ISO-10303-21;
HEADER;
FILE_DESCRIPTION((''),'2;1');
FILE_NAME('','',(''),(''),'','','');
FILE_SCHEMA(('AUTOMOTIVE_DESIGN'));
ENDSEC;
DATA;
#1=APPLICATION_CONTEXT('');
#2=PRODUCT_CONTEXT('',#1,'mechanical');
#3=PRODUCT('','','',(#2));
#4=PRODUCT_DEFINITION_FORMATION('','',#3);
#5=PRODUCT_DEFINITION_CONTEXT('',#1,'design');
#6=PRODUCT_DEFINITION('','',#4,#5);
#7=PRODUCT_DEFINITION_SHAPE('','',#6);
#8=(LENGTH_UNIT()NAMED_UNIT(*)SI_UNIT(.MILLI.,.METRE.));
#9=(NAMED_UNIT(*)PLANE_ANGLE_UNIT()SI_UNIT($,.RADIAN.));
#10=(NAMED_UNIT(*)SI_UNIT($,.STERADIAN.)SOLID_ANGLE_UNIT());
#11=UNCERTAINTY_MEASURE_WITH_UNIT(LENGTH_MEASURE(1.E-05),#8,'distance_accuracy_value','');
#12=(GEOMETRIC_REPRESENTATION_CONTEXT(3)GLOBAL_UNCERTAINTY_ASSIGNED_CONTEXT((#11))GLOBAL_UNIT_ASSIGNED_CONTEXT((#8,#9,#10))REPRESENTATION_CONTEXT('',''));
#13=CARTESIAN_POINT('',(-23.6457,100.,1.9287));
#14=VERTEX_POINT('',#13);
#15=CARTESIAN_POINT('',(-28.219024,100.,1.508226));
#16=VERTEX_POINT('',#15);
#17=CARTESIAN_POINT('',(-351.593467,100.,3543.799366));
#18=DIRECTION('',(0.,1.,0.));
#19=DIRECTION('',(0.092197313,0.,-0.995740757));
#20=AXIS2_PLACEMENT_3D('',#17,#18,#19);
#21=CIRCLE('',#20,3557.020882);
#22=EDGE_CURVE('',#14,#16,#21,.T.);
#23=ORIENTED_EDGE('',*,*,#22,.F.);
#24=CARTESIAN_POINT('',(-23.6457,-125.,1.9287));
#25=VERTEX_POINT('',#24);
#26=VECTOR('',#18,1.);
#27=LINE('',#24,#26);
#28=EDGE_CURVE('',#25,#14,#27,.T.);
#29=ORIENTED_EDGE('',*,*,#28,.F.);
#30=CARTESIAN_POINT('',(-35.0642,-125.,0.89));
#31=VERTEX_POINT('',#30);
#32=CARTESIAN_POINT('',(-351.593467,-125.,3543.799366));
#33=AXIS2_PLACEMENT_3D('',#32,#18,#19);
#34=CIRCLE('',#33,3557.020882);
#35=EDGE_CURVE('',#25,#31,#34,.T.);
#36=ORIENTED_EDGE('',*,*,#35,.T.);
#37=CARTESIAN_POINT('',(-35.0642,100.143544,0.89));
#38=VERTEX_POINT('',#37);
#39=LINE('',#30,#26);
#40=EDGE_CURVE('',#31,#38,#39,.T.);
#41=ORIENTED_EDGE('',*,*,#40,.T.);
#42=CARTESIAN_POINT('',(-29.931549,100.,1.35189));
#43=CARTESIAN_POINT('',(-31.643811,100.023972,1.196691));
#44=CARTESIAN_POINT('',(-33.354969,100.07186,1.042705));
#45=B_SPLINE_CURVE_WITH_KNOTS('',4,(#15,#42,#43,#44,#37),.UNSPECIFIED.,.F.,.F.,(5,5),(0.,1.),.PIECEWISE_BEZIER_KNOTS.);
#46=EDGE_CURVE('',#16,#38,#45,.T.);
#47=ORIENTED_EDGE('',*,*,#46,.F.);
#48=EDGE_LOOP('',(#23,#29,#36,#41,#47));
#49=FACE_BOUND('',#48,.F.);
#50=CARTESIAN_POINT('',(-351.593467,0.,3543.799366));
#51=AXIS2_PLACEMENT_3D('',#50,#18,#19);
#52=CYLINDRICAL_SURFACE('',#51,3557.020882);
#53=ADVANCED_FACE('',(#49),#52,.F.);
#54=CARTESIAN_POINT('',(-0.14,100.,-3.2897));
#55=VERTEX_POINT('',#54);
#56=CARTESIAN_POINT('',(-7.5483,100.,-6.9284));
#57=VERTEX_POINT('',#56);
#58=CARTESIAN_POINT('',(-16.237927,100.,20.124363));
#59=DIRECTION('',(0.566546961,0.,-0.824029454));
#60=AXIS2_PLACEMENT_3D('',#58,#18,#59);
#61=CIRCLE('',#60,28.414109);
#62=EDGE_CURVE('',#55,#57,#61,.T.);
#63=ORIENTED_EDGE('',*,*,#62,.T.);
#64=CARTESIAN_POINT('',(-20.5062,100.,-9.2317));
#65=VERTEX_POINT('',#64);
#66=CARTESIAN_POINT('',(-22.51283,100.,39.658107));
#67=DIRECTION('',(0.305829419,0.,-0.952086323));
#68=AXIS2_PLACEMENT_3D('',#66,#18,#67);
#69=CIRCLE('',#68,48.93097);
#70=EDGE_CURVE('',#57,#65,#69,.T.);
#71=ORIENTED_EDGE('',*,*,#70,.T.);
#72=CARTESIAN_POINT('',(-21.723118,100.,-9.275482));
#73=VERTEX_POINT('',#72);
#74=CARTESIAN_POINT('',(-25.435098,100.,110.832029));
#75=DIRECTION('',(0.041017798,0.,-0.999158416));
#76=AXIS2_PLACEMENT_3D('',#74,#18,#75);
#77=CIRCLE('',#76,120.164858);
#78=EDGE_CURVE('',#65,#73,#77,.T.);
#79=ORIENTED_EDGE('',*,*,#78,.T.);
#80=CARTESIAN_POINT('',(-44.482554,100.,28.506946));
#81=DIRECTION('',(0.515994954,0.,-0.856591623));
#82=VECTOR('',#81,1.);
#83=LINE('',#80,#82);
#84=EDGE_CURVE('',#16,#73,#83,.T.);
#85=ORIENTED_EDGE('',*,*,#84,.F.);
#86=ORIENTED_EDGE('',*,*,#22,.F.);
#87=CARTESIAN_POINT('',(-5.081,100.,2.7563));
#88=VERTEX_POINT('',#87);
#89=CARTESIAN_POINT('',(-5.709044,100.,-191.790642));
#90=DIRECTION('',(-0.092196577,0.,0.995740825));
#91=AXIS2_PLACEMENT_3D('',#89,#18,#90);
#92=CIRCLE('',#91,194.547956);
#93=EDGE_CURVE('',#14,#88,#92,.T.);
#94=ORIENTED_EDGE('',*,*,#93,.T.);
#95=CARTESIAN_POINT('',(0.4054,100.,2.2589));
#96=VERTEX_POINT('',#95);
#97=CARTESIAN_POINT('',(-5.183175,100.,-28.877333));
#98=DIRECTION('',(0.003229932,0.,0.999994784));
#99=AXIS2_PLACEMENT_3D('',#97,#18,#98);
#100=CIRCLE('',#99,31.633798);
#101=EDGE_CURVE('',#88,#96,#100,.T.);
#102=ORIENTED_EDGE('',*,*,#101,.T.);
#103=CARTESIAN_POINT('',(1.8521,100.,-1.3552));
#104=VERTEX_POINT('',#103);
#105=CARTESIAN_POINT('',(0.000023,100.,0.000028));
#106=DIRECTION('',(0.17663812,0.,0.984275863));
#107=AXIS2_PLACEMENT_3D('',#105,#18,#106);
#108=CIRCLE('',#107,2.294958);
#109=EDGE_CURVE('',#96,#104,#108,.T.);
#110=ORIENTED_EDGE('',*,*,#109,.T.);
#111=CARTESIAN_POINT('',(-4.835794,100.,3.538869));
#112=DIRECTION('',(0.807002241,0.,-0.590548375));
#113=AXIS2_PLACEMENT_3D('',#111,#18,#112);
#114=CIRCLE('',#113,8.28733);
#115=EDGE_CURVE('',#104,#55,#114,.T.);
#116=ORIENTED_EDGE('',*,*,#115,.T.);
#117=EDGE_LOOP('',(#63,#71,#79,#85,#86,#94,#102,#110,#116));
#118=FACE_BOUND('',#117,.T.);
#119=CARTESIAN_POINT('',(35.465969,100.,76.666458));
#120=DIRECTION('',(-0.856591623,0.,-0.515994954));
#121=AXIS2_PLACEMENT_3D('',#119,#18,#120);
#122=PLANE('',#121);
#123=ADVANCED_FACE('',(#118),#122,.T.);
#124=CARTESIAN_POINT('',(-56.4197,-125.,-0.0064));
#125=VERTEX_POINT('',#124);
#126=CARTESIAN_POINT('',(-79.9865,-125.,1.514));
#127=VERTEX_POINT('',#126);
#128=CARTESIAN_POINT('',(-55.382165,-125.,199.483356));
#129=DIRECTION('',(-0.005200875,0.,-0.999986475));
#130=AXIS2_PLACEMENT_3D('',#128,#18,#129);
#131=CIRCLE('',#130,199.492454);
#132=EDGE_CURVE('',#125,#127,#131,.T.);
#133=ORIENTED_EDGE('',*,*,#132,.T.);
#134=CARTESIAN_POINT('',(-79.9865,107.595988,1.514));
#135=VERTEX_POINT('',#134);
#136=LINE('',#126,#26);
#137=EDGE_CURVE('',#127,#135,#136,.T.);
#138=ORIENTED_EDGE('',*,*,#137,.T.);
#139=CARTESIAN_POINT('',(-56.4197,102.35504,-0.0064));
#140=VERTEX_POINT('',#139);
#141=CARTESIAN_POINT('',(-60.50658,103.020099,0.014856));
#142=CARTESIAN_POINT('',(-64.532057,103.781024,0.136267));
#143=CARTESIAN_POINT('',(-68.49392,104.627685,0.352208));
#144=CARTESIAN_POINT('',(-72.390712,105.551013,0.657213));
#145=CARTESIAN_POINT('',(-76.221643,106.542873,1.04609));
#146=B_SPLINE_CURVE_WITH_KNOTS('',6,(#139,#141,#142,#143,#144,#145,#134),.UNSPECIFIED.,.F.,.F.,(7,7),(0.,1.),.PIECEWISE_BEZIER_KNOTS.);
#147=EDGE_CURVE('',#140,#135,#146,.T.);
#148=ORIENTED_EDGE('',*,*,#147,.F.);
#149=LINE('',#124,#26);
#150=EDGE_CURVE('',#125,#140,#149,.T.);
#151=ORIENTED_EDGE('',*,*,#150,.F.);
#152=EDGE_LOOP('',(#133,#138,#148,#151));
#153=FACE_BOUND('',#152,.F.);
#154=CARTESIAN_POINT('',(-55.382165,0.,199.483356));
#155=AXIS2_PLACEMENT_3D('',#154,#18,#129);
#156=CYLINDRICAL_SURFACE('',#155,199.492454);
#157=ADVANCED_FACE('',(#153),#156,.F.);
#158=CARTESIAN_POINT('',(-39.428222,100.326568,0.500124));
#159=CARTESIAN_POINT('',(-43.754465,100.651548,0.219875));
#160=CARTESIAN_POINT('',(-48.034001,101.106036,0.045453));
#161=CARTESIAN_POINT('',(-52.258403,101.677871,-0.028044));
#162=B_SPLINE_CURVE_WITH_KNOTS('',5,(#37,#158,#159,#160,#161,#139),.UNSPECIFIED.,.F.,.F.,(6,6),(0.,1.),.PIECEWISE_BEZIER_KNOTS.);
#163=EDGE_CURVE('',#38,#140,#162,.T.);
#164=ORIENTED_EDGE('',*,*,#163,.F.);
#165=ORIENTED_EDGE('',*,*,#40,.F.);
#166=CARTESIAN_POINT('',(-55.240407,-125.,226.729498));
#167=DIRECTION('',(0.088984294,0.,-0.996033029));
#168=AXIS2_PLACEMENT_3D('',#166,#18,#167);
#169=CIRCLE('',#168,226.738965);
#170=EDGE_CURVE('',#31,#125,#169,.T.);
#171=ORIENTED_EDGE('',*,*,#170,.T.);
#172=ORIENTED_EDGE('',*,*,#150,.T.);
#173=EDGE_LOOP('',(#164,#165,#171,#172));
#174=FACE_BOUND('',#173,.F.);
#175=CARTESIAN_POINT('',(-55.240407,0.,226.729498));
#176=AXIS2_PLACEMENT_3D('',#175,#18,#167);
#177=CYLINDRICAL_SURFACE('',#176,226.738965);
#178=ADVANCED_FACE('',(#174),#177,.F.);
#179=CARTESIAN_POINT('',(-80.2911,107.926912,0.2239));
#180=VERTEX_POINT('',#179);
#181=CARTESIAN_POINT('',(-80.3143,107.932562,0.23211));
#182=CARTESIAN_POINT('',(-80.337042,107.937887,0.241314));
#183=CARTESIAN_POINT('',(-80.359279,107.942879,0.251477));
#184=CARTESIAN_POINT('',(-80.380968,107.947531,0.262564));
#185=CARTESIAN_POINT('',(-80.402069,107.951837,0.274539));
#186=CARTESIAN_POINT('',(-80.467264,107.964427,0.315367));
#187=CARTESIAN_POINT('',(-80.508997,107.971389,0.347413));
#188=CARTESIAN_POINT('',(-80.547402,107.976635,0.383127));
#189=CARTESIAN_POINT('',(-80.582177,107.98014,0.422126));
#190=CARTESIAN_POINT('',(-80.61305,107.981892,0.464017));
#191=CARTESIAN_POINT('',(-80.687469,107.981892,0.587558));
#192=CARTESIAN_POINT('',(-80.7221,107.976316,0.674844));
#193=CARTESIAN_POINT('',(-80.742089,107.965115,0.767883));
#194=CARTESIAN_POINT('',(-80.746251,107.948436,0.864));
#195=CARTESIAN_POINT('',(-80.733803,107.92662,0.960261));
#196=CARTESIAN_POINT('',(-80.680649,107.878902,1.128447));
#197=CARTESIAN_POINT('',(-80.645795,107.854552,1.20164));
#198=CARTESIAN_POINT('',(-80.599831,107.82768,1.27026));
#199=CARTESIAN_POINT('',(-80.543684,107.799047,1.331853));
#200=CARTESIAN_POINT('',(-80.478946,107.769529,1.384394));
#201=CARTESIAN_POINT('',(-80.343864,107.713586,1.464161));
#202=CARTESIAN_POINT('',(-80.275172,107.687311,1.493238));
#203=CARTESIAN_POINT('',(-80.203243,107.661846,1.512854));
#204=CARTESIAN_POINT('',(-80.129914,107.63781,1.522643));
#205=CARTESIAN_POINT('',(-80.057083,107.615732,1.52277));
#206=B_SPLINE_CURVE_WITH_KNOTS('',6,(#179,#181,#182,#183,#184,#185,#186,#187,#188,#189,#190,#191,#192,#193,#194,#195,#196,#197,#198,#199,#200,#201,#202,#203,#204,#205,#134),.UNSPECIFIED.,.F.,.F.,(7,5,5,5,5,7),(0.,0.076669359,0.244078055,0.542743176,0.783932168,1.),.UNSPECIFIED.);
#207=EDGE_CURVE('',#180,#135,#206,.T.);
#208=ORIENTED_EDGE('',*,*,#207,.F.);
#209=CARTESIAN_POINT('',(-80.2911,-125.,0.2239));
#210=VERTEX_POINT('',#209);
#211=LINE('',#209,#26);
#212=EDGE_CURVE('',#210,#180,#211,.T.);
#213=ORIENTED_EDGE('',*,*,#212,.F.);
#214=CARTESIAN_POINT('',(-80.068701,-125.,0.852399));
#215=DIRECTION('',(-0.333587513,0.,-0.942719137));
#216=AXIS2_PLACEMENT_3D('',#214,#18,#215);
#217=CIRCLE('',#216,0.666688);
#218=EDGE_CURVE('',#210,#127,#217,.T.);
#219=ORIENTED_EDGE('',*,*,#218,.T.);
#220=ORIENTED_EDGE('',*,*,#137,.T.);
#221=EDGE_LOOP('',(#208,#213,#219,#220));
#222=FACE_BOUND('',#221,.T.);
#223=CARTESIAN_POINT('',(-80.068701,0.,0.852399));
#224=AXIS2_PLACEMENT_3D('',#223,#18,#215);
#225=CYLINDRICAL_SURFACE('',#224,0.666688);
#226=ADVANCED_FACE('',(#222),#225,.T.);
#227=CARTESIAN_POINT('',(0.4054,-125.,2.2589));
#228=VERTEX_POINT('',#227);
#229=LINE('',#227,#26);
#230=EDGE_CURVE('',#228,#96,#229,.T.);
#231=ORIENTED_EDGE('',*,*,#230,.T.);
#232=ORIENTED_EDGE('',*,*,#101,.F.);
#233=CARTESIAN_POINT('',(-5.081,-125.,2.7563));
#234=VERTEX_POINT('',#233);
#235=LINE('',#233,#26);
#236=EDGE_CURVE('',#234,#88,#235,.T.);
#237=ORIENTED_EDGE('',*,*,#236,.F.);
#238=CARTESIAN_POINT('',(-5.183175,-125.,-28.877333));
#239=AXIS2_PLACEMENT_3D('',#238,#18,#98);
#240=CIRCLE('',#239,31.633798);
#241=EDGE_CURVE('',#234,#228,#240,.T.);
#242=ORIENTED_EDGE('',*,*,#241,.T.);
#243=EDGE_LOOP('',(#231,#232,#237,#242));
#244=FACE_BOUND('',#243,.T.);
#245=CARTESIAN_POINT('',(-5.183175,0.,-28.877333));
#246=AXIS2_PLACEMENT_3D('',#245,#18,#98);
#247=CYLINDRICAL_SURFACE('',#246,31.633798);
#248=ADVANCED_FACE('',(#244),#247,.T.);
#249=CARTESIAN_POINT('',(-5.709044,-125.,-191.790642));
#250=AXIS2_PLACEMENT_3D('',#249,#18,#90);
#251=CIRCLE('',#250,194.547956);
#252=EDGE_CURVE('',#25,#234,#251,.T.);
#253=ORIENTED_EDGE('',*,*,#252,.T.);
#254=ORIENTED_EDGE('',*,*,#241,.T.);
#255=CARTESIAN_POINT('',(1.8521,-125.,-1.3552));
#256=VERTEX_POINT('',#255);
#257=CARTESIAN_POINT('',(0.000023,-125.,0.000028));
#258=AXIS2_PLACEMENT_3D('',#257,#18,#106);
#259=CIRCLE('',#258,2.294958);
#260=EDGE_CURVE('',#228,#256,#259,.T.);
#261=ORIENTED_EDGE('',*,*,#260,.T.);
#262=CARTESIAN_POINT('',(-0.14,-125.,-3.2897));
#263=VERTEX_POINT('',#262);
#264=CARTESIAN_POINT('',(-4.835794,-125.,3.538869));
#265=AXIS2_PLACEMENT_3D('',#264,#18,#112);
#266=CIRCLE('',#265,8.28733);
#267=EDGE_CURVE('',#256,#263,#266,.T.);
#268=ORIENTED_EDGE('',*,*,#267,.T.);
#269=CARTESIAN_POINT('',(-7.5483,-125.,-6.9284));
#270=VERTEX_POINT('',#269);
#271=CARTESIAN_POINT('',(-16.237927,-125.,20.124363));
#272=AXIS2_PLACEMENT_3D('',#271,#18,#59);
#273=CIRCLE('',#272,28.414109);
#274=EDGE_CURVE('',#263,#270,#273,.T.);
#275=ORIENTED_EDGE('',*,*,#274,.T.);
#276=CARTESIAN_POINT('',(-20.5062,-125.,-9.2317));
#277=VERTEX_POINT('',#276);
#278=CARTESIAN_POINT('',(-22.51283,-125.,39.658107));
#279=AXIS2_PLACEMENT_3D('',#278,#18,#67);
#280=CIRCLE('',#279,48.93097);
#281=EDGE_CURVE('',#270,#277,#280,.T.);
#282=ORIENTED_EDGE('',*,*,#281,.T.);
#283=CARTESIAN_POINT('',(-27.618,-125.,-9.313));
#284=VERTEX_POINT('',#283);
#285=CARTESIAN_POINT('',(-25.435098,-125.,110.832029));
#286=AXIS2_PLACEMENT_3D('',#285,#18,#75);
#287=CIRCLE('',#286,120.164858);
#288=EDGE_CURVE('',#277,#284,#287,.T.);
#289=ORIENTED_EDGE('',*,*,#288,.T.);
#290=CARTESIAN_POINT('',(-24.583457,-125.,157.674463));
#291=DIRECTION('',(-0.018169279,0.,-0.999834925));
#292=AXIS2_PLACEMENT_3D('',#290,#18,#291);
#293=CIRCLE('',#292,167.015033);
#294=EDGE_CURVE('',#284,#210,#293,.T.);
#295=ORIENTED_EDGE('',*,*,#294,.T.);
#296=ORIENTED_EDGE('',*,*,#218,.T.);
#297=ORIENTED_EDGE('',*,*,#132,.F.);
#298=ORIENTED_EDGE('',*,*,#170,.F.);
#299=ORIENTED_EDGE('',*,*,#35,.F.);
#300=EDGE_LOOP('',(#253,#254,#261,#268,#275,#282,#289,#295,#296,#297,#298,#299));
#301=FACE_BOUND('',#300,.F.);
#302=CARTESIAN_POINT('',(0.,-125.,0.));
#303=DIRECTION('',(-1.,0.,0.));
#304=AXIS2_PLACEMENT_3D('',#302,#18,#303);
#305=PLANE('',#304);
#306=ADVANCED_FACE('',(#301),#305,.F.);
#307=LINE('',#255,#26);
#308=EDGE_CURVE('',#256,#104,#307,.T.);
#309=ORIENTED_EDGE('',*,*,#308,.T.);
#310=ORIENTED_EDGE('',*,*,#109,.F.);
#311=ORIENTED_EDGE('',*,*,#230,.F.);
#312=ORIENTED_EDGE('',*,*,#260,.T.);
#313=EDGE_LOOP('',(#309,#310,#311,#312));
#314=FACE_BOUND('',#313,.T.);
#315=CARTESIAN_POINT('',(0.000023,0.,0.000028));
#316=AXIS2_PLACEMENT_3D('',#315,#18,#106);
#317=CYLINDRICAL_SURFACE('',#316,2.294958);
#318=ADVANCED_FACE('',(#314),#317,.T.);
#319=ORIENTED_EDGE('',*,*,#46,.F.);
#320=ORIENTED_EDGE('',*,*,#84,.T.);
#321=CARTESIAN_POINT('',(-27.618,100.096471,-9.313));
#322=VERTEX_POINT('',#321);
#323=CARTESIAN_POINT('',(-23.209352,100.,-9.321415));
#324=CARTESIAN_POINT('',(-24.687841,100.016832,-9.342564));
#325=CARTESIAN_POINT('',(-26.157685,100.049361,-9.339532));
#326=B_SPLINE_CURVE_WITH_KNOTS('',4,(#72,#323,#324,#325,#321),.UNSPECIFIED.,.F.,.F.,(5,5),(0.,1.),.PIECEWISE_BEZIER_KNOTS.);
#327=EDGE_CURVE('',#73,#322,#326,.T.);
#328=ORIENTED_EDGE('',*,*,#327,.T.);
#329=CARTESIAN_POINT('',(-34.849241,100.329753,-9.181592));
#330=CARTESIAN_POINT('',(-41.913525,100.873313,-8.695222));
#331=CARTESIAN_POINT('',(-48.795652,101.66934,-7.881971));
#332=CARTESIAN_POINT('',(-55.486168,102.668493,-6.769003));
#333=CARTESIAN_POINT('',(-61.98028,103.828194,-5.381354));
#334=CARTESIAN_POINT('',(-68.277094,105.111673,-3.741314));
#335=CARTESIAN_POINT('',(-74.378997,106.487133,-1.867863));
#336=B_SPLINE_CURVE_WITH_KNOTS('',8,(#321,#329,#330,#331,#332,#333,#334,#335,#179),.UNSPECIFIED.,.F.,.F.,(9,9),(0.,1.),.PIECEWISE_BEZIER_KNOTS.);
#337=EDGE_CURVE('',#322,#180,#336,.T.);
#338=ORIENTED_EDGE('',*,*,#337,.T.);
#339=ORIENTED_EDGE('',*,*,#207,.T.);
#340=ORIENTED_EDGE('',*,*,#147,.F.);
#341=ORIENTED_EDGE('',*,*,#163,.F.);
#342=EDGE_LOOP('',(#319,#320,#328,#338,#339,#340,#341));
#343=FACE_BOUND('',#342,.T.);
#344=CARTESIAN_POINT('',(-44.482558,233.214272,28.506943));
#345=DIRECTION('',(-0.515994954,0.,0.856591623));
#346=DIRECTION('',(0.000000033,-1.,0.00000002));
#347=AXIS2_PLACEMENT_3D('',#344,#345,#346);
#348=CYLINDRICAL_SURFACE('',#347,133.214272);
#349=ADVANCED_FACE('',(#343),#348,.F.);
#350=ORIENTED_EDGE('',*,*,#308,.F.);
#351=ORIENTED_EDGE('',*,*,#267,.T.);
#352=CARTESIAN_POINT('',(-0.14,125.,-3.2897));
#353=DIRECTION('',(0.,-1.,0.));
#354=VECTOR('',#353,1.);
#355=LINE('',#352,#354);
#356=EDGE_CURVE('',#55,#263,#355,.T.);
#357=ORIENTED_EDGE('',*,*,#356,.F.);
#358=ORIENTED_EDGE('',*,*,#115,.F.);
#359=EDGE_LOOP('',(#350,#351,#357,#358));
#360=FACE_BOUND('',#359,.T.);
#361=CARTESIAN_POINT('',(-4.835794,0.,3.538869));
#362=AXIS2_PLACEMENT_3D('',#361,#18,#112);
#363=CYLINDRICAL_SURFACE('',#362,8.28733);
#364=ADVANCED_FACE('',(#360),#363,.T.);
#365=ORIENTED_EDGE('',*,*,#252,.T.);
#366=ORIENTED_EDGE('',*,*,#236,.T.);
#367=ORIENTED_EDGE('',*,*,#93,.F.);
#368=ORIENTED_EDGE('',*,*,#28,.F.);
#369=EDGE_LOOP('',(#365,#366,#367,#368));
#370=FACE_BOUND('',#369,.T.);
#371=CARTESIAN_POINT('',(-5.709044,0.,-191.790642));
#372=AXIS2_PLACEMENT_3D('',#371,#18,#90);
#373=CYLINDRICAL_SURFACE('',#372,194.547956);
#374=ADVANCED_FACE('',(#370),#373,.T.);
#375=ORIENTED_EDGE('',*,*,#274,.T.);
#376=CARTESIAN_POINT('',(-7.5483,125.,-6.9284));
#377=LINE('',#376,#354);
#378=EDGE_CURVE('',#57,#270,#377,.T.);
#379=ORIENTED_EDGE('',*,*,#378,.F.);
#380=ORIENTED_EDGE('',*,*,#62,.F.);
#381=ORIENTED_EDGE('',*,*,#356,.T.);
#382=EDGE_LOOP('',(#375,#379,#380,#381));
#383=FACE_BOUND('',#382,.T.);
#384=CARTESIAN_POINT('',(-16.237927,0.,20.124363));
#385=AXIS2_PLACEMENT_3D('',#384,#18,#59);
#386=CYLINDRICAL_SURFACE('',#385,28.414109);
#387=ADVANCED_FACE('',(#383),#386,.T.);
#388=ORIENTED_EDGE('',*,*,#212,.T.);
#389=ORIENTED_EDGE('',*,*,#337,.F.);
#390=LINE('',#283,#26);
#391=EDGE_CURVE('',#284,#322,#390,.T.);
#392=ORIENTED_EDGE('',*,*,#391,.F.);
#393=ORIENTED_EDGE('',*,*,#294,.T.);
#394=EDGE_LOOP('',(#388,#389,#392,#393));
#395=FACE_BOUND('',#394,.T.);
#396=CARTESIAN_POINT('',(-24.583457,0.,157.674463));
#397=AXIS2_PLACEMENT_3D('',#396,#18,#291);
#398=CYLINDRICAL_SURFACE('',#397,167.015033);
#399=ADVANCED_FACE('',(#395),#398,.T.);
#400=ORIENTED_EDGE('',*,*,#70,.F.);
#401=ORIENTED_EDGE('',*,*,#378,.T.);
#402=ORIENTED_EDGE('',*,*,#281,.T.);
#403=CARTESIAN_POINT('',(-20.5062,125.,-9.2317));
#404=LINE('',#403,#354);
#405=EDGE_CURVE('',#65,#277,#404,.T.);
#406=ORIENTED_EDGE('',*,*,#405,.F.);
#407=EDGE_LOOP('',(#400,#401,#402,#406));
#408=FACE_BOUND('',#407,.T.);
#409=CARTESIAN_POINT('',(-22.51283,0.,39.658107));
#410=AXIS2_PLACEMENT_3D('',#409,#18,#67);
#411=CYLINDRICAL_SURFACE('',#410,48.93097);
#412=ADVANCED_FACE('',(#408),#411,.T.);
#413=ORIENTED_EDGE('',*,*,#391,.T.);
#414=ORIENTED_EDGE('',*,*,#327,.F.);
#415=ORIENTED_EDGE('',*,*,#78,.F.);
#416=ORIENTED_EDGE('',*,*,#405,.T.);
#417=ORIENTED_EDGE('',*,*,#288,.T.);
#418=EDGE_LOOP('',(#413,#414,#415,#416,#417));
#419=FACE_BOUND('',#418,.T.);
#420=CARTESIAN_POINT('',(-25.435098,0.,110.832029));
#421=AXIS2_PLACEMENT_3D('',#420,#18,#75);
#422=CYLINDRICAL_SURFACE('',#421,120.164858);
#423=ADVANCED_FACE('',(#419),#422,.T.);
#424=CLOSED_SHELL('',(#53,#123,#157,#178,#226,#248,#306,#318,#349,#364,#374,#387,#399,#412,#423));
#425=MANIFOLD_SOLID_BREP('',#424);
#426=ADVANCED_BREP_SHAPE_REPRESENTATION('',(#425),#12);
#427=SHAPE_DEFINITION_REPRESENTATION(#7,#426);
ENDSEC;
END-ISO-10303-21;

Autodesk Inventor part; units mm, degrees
ref_plane "YZ Plane" through (0, 0, 0) normal (1, 0, 0) x (0, 1, 0)
ref_plane "XZ Plane" through (0, 0, 0) normal (0, 1, 0) x (-1, 0, 0)
ref_plane "XY Plane" through (0, 0, 0) normal (0, 0, 1) x (1, 0, 0)
sketch "スケッチ1" plane through (0, 0, 0) normal (0, 1, 0) x (-1, 0, 0)
  circle A0 centre (56.6667, -3.3333) radius 2 projected
  circle A1 centre (6.6667, -1.3333) radius 2 projected
  arc A2 (27.618, -9.313) -> (80.2911, 0.2239) centre (24.5838, 157.671) ccw projected
  arc A3 (20.5062, -9.2317) -> (27.618, -9.313) centre (25.435, 110.8283) ccw projected
  arc A4 (7.5483, -6.9284) -> (20.5062, -9.2317) centre (22.5133, 39.66) ccw projected
  arc A5 (0.14, -3.2897) -> (7.5483, -6.9284) centre (16.2383, 20.125) ccw projected
  arc A6 (-1.8521, -1.3552) -> (0.14, -3.2897) centre (4.8333, 3.5367) ccw projected
  arc A7 (-0.4054, 2.2589) -> (-1.8521, -1.3552) centre (0, 0) ccw projected
  arc A8 (5.081, 2.7563) -> (-0.4054, 2.2589) centre (5.1833, -28.88) ccw projected
  arc A9 (23.6457, 1.9287) -> (5.081, 2.7563) centre (5.71, -191.7767) ccw projected
  arc A10 (23.6457, 1.9287) -> (35.0642, 0.89) centre (351.2983, 3540.5833) ccw projected
  arc A11 (35.0642, 0.89) -> (56.4197, -0.0064) centre (55.24, 226.7233) ccw projected
  arc A12 (56.4197, -0.0064) -> (79.9865, 1.514) centre (55.3817, 199.4967) ccw projected
  arc A13 (80.2911, 0.2239) -> (79.9865, 1.514) centre (80.0687, 0.8524) ccw projected
extrude "押し出し1" add sketch "スケッチ1" along normal mid plane 250 contours A0 | A1 | A3 A4 A5 A6 A7 A8 A9 A10 A11 A12 A13 A2
ref_plane "作業平面1" through (-121.5758, 135, -17.9326) normal (0.516, 0, -0.8566) x (0.8566, 0, 0.516)
sketch "スケッチ4" plane through (-121.5758, 135, -17.9326) normal (0.516, 0, -0.8566) x (0.8566, 0, 0.516)
  arc A0 (90, 35) -> (0, 0) centre (90, -98.2143) ccw projected
  line L0 (183.3333, 35) -> (90, 35) projected
  line L1 (183.3333, 35) -> (183.3333, 0)
  line L2 (183.3333, 0) -> (0, 0)
  point P0 (113.3913, 135)
extrude "押し出し4" cut sketch "スケッチ4" along normal through all
properties part number "newsubflap_top"
